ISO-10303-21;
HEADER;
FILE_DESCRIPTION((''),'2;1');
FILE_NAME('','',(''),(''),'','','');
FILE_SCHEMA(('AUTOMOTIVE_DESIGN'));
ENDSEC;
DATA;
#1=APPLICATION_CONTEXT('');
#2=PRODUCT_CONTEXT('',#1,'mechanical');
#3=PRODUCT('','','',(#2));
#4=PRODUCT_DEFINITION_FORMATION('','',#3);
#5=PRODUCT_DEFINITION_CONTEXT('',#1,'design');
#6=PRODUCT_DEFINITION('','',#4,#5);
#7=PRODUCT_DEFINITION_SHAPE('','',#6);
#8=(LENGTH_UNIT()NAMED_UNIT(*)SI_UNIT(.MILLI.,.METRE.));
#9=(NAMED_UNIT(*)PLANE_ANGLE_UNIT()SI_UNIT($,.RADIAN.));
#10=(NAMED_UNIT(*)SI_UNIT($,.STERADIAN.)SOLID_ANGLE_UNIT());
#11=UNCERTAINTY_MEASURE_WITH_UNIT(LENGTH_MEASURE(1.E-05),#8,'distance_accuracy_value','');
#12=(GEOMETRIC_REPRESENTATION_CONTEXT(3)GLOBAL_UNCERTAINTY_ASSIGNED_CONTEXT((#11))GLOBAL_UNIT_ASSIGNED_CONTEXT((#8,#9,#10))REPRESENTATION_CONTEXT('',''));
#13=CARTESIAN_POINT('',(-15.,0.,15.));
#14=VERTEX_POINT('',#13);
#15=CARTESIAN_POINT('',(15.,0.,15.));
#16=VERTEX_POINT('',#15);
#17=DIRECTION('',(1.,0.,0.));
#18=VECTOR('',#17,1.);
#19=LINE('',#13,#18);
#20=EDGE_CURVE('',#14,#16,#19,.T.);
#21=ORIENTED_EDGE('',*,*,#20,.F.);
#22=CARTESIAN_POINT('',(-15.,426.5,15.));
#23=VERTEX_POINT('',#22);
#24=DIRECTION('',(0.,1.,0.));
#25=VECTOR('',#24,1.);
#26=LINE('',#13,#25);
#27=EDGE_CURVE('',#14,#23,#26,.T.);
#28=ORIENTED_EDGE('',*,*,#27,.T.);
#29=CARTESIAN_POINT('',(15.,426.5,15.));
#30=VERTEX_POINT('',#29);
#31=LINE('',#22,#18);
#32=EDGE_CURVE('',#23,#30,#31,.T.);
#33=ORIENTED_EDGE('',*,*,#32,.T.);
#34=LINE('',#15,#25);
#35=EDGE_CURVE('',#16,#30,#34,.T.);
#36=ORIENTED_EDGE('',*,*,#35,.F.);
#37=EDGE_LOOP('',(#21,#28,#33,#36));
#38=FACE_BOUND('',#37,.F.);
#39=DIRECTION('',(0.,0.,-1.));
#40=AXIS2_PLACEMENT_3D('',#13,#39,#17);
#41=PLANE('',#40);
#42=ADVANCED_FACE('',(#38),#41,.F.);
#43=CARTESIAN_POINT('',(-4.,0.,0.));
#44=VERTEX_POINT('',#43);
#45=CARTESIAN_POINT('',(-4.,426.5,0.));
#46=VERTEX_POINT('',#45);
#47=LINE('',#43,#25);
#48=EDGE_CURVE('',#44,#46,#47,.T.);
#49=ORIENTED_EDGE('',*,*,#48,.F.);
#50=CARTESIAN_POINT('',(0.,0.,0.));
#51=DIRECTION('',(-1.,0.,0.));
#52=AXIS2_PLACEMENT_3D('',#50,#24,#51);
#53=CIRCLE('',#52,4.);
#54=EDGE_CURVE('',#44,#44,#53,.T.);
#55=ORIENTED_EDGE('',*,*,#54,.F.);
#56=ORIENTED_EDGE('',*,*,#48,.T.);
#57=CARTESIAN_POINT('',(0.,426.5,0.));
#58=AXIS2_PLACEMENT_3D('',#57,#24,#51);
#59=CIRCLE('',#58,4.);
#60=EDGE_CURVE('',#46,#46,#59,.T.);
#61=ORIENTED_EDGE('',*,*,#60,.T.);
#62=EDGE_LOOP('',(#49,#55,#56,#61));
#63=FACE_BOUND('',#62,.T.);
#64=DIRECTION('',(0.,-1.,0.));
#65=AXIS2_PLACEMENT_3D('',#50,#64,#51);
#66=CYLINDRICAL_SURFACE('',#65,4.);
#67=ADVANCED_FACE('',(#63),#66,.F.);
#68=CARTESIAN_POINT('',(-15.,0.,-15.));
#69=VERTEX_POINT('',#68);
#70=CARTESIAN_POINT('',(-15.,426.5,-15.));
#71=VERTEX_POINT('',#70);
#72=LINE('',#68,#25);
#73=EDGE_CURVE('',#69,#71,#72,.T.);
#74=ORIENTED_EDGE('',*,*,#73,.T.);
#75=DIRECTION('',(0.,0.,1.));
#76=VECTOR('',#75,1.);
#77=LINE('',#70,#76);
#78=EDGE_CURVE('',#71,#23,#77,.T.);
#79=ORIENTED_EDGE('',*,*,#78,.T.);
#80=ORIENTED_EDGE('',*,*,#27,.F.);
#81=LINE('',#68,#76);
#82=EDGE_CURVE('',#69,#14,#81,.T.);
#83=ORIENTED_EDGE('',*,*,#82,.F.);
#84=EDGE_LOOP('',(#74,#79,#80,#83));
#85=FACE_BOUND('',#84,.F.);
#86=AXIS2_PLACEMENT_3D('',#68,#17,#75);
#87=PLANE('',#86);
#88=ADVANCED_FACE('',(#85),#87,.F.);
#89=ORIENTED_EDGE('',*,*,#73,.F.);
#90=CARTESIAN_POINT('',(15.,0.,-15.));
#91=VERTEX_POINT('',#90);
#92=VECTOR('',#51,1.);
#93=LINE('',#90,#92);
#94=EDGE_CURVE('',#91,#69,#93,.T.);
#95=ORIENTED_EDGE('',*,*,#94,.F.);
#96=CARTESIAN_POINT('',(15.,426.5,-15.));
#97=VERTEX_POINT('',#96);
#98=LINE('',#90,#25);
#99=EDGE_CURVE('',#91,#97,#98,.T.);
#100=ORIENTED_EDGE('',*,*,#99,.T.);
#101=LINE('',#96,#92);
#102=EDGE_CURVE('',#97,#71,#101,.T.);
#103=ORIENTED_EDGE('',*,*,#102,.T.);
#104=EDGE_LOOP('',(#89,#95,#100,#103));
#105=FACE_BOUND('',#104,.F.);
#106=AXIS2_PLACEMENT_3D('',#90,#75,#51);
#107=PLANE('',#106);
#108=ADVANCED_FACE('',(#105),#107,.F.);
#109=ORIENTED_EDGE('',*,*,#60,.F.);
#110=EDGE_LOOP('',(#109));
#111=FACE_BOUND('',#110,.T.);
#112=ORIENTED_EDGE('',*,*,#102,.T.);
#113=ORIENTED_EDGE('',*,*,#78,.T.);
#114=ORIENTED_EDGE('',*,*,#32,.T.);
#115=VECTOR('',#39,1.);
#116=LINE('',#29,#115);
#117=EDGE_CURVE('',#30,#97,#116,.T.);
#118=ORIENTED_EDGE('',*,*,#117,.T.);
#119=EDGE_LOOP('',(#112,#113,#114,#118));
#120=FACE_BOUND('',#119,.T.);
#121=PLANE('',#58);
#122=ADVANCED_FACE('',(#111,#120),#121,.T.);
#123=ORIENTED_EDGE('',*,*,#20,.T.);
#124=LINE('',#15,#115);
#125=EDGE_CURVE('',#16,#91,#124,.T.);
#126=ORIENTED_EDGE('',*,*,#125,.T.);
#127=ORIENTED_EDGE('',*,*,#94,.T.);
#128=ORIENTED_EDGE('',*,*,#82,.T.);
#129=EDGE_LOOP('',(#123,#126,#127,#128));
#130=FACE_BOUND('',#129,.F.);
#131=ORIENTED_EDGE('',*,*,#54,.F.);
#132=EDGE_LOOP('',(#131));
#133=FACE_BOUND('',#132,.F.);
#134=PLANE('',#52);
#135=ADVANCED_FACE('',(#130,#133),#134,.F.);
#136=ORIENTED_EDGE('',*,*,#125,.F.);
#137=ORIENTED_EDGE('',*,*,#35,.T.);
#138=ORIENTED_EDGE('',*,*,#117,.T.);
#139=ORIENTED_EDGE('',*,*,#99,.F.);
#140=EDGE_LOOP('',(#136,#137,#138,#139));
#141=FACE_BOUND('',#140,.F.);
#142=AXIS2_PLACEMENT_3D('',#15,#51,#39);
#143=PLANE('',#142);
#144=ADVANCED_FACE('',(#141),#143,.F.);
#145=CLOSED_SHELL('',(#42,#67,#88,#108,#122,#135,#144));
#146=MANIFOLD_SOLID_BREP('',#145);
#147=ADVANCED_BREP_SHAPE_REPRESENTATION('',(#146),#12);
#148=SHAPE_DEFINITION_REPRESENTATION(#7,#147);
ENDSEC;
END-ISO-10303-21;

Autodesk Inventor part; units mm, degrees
ref_plane "YZ Plane" through (0, 0, 0) normal (1, 0, 0) x (0, 1, 0)
ref_plane "XZ Plane" through (0, 0, 0) normal (0, 1, 0) x (-1, 0, 0)
ref_plane "XY Plane" through (0, 0, 0) normal (0, 0, 1) x (1, 0, 0)
sketch "Boceto1" plane through (0, 0, 0) normal (0, 1, 0) x (-1, 0, 0)
  line L0 (15, 15) -> (-15, 15)
  line L1 (-15, 15) -> (-15, -15)
  line L2 (-15, -15) -> (15, -15)
  line L3 (15, -15) -> (15, 15)
  line L4 (15, 15) -> (-15, -15) construction
  circle A0 centre (0, 0) radius 4
  dimension "d0" = 30
  dimension "d1" = 8
extrude "Extrusión1" add sketch "Boceto1" along normal blind 426.5
properties part number "P_3030_1500"
